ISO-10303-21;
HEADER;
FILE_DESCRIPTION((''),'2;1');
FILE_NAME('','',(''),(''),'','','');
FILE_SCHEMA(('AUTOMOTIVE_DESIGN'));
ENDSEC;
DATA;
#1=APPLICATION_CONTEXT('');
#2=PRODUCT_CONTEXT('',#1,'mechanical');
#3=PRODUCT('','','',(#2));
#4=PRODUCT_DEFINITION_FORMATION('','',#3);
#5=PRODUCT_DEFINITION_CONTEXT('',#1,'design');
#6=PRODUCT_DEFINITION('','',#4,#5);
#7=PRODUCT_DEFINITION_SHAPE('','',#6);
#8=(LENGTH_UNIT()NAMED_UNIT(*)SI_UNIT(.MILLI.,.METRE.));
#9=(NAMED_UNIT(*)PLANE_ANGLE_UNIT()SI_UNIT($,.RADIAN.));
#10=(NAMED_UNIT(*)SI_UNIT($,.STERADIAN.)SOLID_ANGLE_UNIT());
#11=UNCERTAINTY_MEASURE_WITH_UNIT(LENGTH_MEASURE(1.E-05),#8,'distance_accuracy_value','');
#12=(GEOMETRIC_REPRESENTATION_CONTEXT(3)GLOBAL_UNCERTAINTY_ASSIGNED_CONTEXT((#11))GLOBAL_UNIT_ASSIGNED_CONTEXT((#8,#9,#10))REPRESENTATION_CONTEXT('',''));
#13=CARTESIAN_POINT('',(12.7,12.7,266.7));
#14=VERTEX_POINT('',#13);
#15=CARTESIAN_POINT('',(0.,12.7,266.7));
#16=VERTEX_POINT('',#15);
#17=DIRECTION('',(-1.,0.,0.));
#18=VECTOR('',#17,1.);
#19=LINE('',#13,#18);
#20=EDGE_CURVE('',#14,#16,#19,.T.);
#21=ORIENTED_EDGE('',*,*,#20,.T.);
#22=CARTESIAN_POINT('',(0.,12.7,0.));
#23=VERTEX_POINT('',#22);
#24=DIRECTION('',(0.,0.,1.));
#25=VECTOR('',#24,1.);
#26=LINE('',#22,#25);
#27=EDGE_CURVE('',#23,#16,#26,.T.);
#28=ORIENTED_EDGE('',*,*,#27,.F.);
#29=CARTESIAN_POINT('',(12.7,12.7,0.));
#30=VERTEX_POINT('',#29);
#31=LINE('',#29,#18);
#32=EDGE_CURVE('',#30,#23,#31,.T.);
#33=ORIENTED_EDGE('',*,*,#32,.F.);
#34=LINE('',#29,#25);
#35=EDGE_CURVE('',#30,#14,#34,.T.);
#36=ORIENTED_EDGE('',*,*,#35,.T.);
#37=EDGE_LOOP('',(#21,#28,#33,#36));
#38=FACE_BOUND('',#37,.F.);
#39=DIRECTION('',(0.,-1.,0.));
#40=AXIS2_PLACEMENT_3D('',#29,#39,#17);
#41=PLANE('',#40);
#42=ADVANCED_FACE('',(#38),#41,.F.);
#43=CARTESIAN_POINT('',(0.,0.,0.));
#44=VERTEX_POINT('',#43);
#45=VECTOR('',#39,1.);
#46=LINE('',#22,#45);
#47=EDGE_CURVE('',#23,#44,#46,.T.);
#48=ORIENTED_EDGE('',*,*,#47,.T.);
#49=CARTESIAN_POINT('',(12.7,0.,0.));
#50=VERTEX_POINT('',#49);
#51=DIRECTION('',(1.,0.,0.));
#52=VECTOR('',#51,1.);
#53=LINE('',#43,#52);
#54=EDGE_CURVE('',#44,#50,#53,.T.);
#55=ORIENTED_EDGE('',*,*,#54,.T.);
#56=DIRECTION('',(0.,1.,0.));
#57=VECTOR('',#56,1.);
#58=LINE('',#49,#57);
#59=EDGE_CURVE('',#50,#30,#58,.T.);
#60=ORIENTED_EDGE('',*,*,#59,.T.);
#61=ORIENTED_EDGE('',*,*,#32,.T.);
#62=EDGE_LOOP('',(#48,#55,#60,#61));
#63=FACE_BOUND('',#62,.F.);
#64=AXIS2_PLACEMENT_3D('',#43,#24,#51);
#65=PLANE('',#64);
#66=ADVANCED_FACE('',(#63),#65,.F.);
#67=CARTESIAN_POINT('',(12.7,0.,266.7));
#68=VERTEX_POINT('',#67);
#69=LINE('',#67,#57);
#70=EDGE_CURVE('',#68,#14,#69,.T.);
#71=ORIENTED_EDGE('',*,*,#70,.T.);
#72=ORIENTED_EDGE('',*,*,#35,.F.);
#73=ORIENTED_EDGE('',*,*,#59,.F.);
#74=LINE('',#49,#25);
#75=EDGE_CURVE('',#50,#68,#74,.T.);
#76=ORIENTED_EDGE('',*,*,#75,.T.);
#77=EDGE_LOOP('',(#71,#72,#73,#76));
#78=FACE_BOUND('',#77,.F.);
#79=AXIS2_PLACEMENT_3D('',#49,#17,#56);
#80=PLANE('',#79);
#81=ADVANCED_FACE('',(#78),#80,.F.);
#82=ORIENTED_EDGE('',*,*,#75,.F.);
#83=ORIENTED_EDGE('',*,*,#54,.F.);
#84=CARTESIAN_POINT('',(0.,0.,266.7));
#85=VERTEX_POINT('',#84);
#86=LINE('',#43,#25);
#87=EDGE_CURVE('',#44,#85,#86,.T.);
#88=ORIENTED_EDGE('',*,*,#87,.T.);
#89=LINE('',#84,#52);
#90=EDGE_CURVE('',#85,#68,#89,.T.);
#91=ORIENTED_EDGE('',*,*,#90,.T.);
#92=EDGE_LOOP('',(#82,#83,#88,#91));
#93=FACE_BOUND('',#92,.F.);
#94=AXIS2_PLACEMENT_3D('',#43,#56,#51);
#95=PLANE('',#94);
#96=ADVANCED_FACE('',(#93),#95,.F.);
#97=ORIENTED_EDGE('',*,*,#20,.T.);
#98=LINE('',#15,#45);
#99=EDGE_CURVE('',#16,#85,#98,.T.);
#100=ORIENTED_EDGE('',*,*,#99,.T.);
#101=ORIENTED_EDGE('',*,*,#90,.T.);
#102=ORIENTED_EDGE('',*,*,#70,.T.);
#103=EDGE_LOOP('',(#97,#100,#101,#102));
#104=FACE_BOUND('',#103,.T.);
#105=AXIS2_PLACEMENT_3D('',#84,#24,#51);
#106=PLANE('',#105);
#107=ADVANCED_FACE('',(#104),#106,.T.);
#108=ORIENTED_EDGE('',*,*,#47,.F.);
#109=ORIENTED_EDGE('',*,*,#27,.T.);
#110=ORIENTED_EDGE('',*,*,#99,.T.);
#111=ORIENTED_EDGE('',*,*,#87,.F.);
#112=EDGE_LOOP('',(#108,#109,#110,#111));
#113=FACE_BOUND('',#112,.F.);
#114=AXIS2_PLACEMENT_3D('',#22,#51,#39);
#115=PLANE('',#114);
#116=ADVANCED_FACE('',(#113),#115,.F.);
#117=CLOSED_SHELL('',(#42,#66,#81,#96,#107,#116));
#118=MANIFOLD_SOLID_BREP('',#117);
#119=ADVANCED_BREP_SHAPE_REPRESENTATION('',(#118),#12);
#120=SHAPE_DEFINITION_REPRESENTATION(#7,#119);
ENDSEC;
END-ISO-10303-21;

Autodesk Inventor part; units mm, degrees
ref_plane "YZ Plane" through (0, 0, 0) normal (1, 0, 0) x (0, 1, 0)
ref_plane "XZ Plane" through (0, 0, 0) normal (0, 1, 0) x (-1, 0, 0)
ref_plane "XY Plane" through (0, 0, 0) normal (0, 0, 1) x (1, 0, 0)
sketch "Sketch1" plane through (0, 0, 0) normal (0, 0, 1) x (1, 0, 0)
  line L0 (0, 0) -> (12.7, 0)
  line L1 (12.7, 0) -> (12.7, 12.7)
  line L2 (12.7, 12.7) -> (0, 12.7)
  line L3 (0, 12.7) -> (0, 0)
  dimension "d0" = 12.7
  dimension "d1" = 12.7
extrude "Extrusion1" add sketch "Sketch1" along normal blind 266.7
properties part number "Rear Arm" material "Wood (Cherry)"
